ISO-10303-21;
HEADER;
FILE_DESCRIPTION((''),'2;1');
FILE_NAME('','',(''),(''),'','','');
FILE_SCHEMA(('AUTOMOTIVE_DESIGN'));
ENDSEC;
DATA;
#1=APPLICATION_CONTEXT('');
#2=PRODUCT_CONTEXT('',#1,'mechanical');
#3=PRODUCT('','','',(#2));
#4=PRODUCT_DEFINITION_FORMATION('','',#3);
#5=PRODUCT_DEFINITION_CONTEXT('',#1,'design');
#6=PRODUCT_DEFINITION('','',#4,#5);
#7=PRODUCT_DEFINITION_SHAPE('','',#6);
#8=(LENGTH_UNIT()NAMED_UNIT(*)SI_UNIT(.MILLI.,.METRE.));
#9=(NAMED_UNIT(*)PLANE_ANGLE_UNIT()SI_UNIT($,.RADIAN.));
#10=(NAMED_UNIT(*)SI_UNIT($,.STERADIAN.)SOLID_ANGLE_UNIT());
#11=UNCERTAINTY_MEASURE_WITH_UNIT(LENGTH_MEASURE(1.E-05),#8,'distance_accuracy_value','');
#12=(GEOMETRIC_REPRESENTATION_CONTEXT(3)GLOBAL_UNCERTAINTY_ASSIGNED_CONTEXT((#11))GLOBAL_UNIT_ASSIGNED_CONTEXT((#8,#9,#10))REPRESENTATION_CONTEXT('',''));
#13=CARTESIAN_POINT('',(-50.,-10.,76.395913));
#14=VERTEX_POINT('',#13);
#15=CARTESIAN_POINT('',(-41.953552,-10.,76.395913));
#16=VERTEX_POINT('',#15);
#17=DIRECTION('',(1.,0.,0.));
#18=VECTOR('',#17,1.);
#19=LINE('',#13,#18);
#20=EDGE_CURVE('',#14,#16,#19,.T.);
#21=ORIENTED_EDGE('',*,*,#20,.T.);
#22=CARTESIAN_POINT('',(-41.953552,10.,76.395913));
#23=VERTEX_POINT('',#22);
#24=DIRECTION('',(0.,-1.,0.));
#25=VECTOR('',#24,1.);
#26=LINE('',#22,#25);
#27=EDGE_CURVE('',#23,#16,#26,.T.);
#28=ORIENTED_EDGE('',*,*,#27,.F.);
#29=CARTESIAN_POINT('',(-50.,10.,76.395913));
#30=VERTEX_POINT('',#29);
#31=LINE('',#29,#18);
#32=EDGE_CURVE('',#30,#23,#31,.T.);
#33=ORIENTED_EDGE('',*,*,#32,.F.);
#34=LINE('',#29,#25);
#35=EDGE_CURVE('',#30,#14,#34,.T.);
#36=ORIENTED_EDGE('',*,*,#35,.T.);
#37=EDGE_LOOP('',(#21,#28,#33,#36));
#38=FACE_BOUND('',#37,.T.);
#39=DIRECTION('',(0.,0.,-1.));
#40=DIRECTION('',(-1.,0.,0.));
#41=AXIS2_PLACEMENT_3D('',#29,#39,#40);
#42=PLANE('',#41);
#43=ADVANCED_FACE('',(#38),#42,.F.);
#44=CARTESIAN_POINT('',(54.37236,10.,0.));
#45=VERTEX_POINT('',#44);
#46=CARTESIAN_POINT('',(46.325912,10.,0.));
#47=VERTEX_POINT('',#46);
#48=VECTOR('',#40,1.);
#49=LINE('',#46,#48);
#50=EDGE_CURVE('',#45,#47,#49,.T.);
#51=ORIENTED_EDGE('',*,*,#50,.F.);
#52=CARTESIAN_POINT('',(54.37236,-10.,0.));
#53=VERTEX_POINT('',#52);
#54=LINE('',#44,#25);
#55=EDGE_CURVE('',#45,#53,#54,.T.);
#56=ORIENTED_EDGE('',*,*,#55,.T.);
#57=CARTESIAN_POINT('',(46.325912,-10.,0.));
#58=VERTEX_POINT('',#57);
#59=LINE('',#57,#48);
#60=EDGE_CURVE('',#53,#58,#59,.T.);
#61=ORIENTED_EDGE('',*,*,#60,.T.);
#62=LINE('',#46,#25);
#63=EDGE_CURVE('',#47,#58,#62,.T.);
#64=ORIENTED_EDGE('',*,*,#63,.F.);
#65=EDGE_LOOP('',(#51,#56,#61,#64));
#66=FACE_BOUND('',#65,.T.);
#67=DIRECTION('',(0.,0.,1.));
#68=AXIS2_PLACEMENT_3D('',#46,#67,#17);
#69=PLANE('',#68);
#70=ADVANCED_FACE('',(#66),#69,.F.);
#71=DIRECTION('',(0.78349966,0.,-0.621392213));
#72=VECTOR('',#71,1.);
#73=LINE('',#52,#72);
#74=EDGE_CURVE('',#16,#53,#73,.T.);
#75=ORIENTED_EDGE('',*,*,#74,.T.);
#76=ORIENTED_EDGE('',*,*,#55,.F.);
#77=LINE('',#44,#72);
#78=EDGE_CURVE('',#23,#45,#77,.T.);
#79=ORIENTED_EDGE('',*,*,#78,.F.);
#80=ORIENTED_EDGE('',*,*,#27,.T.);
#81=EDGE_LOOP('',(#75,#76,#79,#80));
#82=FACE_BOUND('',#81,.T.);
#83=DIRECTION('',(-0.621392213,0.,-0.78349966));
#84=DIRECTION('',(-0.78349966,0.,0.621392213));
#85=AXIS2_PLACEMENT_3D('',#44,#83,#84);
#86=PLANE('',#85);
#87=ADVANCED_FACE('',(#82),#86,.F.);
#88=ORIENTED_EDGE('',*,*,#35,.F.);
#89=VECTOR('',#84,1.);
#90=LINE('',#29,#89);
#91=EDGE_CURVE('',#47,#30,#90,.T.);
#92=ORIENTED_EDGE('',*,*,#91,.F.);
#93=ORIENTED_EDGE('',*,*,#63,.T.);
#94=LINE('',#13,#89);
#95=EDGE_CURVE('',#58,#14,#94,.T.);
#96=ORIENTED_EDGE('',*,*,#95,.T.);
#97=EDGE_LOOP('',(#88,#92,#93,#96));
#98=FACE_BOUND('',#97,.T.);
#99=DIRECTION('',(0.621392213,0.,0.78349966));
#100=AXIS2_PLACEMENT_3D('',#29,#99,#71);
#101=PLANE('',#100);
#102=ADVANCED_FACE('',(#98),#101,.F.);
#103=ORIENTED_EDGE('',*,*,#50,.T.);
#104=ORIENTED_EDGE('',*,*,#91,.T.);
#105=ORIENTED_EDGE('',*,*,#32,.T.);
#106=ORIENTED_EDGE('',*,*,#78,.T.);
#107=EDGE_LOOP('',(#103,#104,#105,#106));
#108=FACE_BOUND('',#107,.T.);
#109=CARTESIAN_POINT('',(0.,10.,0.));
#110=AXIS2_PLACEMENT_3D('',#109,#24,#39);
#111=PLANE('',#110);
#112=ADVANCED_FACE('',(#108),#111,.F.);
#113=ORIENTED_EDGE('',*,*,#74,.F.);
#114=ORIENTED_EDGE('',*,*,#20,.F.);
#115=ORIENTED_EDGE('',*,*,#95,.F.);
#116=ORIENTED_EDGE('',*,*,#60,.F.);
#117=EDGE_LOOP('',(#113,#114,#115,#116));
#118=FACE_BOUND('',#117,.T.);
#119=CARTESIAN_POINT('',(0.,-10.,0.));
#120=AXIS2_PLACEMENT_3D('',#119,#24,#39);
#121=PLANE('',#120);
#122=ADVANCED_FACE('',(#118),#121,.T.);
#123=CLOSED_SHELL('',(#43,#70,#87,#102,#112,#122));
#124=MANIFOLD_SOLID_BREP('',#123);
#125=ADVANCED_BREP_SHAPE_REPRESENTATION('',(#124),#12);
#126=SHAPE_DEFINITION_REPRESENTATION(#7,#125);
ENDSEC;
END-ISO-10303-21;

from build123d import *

# Parameters (mm, degrees)
AUFSATZ_LINEAR_AUSTRAGEN1_DEPTH = 10


with BuildPart() as part:
    # Skizze2 → Aufsatz-Linear austragen1 (new body, symmetric)
    with BuildSketch(Plane(origin=(0, 0, 0), x_dir=(1, 0, 0), z_dir=(0, 1, 0))):
        Polygon((-50, -76.395913013), (46.325912394, 0), (54.372360184, 0), (-41.95355221, -76.395913013), align=None)
    extrude(amount=AUFSATZ_LINEAR_AUSTRAGEN1_DEPTH, both=True)


solid = part.part
